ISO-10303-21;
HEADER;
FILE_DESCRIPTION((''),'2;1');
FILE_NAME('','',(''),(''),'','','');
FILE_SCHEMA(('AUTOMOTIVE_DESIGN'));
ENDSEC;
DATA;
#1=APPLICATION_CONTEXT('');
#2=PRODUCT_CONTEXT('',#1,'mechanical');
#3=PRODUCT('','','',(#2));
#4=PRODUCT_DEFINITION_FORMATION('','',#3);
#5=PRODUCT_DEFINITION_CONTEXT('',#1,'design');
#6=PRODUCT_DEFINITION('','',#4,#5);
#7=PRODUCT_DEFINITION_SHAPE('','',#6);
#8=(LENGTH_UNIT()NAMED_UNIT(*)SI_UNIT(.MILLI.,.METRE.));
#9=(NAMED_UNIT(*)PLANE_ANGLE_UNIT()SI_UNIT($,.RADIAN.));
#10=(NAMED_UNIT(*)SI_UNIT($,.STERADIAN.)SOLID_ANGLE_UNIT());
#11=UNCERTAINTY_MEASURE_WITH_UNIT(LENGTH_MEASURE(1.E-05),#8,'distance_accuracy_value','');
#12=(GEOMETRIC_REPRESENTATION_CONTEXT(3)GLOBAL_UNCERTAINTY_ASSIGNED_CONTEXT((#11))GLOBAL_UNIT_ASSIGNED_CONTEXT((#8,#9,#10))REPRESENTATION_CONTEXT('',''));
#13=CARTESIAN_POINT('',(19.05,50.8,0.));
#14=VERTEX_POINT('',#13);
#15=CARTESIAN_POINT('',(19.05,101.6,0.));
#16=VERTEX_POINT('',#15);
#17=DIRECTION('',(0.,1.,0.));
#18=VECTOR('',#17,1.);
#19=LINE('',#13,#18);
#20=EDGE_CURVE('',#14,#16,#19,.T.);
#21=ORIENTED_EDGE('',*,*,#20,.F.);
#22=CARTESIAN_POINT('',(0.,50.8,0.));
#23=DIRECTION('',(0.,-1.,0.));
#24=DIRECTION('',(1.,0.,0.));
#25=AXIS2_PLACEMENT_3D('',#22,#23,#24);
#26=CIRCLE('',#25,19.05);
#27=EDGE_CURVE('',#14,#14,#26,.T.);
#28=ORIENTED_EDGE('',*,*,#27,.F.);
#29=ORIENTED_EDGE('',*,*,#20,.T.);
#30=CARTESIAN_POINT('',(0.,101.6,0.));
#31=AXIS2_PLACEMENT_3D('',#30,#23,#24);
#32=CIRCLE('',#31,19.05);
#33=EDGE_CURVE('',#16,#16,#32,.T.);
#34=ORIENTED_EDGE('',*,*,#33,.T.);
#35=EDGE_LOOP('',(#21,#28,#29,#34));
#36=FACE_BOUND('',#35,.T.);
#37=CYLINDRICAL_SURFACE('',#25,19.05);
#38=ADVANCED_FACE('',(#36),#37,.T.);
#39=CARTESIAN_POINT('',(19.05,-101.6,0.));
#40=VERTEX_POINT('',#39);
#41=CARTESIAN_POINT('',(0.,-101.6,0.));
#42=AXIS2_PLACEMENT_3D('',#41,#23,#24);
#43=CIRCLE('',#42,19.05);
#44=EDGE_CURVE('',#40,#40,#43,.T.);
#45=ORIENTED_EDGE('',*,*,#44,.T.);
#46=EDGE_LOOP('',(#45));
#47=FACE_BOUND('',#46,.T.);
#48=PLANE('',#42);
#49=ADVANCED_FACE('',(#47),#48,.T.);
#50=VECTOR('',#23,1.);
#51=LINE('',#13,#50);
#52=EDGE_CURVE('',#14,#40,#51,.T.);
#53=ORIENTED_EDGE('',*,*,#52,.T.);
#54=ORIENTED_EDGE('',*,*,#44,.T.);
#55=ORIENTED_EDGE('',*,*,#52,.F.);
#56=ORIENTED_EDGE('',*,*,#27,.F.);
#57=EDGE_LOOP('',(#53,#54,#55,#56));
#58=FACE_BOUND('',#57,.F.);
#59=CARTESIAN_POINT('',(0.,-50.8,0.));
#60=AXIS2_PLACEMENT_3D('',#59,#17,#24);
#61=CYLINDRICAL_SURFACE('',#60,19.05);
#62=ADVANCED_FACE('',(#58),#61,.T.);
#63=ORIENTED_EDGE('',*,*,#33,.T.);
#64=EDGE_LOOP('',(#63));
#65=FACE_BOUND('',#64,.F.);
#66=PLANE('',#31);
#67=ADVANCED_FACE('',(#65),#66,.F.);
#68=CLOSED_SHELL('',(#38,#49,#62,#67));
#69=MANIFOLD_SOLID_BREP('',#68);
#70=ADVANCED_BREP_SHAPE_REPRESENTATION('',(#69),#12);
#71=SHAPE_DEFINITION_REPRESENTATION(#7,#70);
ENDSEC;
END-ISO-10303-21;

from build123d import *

# Parameters (mm, degrees)
F0_R     = 19.05
F1_DEPTH = 50.8
F2_DEPTH = 50.8
F3_DEPTH = 50.8


with BuildPart() as f1:
    # F0 (on Front) → F1 (new body, symmetric)
    with BuildSketch(Plane.XZ):
        Circle(F0_R)
    extrude(amount=F1_DEPTH, both=True)

    # F2 (add): a face of the model
    f2_faces = [f1.faces().sort_by_distance(p)[0] for p in [
        (0, -50.8, 0),
    ]]
    extrude(f2_faces, amount=F2_DEPTH)

    # F3 (add): a face of the model
    f3_faces = [f1.faces().sort_by_distance(p)[0] for p in [
        (0, 50.8, 0),
    ]]
    extrude(f3_faces, amount=F3_DEPTH)


solid = f1.part
